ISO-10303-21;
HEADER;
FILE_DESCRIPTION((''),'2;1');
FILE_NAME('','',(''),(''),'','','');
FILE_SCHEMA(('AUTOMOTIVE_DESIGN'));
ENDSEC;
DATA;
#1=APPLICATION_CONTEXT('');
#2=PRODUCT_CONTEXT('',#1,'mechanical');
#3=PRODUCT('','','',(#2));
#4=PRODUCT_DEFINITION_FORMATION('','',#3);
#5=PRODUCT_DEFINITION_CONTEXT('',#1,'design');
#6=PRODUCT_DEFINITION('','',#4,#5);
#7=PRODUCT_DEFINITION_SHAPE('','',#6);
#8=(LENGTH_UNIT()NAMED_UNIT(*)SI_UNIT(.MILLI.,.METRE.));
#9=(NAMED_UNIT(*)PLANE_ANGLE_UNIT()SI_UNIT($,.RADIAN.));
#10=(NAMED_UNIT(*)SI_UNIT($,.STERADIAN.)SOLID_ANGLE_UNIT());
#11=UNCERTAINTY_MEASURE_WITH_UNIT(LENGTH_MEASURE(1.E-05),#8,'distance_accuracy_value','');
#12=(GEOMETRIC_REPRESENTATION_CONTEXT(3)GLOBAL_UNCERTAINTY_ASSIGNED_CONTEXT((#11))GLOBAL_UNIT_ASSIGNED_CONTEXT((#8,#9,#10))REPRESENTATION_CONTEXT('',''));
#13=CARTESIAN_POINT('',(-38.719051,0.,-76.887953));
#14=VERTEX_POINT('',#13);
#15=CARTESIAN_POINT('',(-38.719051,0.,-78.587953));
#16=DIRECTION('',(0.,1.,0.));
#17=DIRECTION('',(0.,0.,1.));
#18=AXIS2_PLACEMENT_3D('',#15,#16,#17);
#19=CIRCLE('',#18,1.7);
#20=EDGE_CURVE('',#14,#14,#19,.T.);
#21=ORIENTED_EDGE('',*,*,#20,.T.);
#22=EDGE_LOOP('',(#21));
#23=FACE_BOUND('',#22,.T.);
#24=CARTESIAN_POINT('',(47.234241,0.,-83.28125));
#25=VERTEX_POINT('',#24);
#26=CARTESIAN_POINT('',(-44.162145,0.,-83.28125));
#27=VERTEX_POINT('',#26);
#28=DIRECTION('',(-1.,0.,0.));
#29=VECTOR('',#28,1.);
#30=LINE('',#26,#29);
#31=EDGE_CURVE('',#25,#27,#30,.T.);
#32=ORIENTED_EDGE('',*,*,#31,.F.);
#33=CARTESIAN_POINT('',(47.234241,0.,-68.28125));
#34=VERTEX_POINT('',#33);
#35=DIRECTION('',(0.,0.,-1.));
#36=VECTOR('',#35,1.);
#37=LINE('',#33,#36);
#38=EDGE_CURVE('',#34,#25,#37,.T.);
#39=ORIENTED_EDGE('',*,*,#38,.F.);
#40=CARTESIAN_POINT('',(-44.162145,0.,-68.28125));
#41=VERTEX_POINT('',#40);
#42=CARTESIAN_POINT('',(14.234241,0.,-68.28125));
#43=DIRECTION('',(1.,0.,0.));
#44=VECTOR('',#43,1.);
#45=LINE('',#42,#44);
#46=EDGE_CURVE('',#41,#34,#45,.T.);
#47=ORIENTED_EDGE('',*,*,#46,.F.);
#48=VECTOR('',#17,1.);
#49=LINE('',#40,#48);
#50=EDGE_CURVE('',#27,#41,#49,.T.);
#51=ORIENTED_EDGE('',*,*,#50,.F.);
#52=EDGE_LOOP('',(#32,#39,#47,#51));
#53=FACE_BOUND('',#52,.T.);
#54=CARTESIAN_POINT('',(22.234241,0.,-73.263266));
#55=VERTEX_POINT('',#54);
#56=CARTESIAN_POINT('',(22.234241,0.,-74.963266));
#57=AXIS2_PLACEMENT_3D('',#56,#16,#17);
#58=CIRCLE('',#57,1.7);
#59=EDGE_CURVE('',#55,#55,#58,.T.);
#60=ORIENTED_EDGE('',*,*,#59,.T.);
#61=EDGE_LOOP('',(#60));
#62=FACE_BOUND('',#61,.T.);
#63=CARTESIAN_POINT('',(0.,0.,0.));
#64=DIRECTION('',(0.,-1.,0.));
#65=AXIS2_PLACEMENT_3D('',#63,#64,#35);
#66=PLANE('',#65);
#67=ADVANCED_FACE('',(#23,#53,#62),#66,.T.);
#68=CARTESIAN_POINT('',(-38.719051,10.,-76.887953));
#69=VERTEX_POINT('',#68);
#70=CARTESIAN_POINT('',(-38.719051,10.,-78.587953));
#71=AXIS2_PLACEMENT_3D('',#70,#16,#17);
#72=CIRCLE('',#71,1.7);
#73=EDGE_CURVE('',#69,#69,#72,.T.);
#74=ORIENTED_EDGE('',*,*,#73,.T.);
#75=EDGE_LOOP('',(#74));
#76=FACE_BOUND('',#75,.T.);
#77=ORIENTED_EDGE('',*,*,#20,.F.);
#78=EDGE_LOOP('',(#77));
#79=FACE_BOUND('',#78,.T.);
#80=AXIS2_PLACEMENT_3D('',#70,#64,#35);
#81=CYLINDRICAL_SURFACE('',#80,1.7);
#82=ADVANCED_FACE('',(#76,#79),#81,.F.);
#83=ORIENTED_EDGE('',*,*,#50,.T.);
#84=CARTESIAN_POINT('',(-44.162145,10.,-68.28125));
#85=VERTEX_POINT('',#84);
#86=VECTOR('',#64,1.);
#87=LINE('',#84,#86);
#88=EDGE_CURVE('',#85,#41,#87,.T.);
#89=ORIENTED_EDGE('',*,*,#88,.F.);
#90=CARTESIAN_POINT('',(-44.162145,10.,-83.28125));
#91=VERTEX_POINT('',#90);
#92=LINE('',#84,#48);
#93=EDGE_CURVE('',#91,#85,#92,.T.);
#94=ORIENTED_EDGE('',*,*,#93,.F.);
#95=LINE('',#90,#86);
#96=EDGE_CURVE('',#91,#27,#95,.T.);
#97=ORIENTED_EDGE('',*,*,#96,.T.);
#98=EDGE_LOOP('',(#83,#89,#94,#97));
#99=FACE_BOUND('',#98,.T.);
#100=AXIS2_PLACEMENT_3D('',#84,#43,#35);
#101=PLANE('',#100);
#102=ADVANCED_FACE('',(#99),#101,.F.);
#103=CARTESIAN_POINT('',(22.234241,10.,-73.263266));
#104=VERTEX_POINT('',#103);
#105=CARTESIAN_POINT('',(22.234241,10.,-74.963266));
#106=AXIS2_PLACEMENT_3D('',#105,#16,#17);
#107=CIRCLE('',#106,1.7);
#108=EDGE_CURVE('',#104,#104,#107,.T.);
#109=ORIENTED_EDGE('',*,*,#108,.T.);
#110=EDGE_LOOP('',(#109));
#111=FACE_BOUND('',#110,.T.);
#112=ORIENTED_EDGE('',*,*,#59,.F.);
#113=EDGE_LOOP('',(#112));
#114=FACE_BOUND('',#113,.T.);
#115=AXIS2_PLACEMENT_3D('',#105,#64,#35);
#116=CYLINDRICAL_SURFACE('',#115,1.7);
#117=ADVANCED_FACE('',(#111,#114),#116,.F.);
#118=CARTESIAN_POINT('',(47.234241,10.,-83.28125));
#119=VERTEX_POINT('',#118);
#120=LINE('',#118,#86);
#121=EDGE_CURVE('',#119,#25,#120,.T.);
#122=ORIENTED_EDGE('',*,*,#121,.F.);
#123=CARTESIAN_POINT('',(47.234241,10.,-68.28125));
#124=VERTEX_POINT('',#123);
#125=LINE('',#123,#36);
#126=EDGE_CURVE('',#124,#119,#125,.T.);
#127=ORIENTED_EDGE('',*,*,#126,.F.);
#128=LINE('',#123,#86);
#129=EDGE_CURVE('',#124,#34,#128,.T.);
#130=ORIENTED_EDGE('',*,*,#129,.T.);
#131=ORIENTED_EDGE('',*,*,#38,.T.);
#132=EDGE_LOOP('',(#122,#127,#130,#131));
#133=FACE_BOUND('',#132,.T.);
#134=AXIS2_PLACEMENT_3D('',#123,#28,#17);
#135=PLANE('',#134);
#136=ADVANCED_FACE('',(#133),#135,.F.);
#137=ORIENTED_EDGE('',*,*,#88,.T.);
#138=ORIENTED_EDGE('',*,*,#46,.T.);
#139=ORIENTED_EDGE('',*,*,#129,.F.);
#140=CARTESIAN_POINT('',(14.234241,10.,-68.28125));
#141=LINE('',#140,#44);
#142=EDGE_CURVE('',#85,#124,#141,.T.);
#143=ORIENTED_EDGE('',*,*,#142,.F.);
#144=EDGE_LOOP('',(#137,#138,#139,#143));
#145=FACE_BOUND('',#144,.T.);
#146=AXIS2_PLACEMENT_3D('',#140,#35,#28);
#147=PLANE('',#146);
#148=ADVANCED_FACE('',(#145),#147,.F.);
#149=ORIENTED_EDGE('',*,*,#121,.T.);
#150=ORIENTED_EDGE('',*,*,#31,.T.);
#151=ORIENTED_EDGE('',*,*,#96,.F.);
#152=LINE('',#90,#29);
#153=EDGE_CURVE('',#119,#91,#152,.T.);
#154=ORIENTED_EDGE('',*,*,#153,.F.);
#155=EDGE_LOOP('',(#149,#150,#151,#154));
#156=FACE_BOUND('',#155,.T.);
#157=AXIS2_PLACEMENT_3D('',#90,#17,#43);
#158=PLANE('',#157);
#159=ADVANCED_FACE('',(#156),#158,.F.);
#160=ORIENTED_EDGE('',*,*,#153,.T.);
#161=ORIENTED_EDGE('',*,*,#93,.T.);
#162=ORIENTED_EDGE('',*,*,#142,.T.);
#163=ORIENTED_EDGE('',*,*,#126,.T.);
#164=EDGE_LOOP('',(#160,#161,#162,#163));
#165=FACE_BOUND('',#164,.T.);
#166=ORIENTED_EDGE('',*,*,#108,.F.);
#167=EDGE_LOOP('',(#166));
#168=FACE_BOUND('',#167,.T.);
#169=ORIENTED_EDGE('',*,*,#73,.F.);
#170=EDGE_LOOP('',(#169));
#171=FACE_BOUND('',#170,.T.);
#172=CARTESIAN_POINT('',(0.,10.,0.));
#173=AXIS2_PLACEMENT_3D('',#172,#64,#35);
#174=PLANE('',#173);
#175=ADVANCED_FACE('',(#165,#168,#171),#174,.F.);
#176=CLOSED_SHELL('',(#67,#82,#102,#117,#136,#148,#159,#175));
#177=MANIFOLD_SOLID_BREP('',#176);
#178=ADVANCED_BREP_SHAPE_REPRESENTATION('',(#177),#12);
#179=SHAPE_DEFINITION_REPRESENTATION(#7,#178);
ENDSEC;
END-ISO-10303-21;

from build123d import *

# Parameters (mm, degrees)
SKETCH2_R           = 1.7
BOSS_EXTRUDE2_DEPTH = 10


with BuildPart() as part:
    # Sketch2 → Boss-Extrude2 (new body)
    with BuildSketch(Plane(origin=(0, 0, 0), x_dir=(1, 0, 0), z_dir=(0, 1, 0))):
        Polygon((-44.162144835, 83.28125), (47.234241277, 83.28125), (47.234241277, 68.28125), (14.234241277, 68.28125), (-44.162144835, 68.28125), align=None)
        with Locations((-38.719051078, 78.587953022)):
            Circle(SKETCH2_R, mode=Mode.SUBTRACT)
        with Locations((22.234241277, 74.963265867)):
            Circle(SKETCH2_R, mode=Mode.SUBTRACT)
    extrude(amount=BOSS_EXTRUDE2_DEPTH)


solid = part.part
